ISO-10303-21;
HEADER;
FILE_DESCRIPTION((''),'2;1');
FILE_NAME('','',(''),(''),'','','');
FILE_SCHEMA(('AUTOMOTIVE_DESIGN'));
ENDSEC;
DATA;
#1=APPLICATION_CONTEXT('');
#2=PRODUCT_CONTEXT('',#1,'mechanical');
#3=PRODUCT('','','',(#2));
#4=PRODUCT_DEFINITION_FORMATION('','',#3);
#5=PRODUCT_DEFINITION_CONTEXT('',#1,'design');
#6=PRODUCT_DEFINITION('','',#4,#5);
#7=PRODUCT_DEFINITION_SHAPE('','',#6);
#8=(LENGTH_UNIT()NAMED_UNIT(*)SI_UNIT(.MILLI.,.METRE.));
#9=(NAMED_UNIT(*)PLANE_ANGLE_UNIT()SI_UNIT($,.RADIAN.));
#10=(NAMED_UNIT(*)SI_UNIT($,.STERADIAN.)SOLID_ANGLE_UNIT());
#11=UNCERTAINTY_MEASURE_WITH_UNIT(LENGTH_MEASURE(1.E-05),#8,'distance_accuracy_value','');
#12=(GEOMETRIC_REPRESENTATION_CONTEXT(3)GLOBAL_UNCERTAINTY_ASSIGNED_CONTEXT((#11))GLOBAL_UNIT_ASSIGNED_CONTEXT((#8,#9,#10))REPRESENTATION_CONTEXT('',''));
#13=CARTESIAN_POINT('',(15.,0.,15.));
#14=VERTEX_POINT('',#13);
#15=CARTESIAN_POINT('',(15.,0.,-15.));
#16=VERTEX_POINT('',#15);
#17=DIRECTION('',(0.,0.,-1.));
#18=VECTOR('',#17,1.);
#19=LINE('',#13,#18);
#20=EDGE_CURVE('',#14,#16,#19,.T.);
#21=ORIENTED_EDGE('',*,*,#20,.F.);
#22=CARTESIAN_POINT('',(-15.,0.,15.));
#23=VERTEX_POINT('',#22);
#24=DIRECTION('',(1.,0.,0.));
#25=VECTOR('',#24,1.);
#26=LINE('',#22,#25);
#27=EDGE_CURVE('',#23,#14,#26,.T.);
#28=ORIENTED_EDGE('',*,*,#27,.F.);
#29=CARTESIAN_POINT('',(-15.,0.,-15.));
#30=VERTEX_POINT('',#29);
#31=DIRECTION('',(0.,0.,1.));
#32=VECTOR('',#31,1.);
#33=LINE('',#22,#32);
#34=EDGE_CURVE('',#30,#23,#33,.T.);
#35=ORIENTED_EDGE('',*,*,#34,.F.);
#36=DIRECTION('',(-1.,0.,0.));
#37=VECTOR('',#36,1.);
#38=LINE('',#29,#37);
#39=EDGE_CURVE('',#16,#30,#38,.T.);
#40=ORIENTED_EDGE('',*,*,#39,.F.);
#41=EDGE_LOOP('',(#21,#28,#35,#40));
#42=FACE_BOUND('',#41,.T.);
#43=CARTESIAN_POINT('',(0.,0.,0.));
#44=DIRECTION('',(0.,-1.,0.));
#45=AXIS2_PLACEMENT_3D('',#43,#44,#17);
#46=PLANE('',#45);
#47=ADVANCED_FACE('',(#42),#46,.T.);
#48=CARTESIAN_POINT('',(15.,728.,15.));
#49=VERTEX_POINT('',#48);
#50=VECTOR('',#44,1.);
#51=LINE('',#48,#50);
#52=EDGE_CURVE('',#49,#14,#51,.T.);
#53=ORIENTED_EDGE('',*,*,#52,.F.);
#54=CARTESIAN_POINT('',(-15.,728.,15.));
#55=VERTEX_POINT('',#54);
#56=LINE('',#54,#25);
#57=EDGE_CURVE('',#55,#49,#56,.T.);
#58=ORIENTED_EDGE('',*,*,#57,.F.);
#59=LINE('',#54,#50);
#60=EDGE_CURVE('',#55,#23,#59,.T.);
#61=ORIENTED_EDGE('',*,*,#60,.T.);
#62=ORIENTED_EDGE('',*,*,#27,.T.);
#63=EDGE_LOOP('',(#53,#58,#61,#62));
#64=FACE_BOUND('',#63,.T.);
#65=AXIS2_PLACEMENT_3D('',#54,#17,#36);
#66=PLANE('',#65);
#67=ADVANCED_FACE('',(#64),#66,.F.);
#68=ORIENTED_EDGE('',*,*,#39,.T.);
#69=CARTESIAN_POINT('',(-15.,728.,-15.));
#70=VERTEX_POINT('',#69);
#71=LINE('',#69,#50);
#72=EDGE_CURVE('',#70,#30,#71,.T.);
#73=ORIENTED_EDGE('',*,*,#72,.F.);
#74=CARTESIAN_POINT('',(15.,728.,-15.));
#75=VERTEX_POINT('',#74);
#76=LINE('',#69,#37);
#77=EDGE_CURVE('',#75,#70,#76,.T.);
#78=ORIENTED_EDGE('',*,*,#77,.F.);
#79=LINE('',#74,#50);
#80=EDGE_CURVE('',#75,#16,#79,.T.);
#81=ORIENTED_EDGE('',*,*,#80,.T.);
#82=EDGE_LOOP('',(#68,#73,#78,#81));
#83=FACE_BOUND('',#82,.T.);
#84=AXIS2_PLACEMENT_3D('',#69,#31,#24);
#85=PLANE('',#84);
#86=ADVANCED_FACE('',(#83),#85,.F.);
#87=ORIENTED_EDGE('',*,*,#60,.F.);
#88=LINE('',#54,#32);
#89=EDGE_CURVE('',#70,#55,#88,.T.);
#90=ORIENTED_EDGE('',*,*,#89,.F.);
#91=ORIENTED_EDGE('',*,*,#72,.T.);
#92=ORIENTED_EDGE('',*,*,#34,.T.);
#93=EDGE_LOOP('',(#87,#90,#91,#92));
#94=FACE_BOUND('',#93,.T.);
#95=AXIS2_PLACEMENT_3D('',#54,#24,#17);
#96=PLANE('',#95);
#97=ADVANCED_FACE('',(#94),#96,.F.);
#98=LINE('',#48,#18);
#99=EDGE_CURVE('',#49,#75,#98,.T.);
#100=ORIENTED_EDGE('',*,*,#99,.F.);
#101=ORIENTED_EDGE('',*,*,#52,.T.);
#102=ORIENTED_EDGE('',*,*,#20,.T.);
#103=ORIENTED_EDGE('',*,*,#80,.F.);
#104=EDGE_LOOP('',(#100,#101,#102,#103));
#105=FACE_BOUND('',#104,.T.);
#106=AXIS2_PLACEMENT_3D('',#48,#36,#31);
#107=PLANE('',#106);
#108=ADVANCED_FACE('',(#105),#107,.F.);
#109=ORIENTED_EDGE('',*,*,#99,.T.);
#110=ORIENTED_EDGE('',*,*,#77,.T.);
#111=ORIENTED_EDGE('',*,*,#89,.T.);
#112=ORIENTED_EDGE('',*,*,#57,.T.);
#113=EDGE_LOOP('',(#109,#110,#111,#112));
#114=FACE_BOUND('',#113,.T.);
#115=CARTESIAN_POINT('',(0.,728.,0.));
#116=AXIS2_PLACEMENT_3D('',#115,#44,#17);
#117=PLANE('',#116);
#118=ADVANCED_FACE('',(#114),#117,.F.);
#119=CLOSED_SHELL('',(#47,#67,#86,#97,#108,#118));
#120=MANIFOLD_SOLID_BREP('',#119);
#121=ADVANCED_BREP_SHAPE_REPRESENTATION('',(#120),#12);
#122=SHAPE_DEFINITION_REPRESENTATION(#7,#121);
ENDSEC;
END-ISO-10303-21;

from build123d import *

# Parameters (mm, degrees)
SKETCH_1_W      = 30
SKETCH_1_H      = 30
EXTRUDE_1_DEPTH = 728


with BuildPart() as part:
    # 草图1 → 凸台-拉伸1 (new body)
    with BuildSketch(Plane(origin=(0, 0, 0), x_dir=(1, 0, 0), z_dir=(0, 1, 0))):
        Rectangle(SKETCH_1_W, SKETCH_1_H)
    extrude(amount=EXTRUDE_1_DEPTH)


solid = part.part
